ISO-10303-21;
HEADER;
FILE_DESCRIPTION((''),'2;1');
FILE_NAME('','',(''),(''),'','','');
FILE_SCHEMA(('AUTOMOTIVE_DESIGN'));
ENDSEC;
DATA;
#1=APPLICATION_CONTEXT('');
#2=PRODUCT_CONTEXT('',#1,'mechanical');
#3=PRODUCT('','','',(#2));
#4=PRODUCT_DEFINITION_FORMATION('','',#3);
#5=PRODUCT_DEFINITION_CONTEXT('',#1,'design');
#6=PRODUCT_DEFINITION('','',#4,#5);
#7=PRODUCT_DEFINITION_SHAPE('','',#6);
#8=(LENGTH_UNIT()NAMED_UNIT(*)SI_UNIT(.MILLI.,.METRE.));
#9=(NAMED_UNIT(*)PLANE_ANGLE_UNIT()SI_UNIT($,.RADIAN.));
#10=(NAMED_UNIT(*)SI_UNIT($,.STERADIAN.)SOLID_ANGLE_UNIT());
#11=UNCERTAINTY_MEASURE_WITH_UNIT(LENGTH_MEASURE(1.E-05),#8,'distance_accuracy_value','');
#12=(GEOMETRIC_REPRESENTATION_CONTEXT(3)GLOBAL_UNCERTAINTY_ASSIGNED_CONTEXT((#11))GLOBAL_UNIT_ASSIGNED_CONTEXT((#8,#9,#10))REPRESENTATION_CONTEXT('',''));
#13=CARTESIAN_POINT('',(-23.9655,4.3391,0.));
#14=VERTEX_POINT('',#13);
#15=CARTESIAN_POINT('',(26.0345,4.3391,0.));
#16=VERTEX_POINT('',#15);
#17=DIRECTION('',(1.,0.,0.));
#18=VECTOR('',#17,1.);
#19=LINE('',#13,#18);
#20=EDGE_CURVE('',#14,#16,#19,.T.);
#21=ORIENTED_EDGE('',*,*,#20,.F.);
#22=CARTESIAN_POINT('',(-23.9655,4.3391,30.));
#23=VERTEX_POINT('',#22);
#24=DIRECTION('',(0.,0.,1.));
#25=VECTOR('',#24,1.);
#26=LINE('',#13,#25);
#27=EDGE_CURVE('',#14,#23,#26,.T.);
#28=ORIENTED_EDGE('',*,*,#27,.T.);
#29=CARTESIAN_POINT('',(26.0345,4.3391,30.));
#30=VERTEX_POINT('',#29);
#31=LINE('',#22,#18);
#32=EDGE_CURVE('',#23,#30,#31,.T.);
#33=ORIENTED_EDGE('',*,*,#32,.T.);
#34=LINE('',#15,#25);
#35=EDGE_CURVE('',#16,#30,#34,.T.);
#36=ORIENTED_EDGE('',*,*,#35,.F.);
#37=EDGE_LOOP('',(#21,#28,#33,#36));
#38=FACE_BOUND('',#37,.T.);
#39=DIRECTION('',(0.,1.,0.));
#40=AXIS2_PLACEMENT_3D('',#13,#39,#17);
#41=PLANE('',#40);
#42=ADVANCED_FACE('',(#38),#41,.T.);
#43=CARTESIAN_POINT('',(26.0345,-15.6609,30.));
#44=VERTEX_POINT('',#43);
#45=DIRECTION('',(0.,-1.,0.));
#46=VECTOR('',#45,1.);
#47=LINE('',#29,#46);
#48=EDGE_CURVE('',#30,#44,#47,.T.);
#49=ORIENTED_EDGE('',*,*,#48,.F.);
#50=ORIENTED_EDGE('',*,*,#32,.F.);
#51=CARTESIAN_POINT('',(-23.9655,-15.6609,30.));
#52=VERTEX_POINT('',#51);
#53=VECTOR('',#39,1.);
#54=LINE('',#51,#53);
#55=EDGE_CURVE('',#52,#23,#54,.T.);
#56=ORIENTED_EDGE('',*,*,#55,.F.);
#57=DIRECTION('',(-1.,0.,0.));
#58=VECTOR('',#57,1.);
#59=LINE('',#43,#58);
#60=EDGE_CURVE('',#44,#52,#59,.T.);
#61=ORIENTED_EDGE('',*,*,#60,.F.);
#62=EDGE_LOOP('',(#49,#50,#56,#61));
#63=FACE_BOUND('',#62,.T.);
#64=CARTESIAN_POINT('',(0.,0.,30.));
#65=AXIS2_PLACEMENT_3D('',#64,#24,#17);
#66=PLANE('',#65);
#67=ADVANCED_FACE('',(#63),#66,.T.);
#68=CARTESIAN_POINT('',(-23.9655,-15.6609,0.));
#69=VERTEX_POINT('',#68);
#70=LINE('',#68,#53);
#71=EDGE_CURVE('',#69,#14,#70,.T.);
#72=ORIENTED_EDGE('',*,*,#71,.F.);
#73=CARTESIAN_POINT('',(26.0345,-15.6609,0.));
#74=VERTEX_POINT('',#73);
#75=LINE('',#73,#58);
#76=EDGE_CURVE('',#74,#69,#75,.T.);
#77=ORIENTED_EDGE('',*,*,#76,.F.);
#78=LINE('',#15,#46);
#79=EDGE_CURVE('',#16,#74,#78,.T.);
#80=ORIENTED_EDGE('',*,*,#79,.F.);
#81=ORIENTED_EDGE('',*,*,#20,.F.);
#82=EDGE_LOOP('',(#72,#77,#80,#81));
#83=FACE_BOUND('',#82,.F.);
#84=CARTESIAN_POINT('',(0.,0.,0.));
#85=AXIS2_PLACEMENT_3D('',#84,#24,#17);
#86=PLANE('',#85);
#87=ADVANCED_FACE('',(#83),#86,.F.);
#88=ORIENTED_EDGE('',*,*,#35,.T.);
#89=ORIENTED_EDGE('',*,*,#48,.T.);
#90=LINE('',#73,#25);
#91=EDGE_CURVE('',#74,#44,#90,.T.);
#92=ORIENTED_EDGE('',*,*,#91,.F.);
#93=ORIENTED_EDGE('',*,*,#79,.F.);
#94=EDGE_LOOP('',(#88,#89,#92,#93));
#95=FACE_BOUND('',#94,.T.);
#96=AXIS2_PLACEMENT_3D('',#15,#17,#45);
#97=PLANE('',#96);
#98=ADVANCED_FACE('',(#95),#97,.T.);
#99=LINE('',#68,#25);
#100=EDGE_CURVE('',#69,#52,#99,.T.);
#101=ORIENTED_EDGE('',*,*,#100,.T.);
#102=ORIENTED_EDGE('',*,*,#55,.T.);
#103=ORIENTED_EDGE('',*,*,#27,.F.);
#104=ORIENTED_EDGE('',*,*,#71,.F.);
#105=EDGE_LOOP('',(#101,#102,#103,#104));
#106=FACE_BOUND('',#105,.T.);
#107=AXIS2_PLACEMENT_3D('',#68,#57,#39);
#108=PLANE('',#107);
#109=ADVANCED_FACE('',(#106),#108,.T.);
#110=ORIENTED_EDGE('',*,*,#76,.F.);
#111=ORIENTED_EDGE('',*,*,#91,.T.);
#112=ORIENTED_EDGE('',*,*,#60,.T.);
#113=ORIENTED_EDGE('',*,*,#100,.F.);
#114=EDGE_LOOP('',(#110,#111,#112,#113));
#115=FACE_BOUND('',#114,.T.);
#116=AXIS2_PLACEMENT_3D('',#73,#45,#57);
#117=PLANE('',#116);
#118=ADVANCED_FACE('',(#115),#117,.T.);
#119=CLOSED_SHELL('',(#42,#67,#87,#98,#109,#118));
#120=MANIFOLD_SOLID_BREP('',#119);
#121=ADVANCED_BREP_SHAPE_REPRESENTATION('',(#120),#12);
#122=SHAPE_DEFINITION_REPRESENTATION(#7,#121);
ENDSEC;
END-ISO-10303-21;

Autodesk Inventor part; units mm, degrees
ref_plane "YZ Plane" through (0, 0, 0) normal (1, 0, 0) x (0, 1, 0)
ref_plane "XZ Plane" through (0, 0, 0) normal (0, 1, 0) x (-1, 0, 0)
ref_plane "XY Plane" through (0, 0, 0) normal (0, 0, 1) x (1, 0, 0)
sketch "Esquisse1" plane through (0, 0, 0) normal (0, 0, 1) x (1, 0, 0)
  line L0 (-23.9655, 4.3391) -> (26.0345, 4.3391)
  line L1 (26.0345, 4.3391) -> (26.0345, -15.6609)
  line L2 (26.0345, -15.6609) -> (-23.9655, -15.6609)
  line L3 (-23.9655, -15.6609) -> (-23.9655, 4.3391)
  point P0 (0, 0)
  dimension "d0" = 50
  dimension "d1" = 20
extrude "Extrusion1" add sketch "Esquisse1" along normal blind 30
properties part number "pièce centrale"
